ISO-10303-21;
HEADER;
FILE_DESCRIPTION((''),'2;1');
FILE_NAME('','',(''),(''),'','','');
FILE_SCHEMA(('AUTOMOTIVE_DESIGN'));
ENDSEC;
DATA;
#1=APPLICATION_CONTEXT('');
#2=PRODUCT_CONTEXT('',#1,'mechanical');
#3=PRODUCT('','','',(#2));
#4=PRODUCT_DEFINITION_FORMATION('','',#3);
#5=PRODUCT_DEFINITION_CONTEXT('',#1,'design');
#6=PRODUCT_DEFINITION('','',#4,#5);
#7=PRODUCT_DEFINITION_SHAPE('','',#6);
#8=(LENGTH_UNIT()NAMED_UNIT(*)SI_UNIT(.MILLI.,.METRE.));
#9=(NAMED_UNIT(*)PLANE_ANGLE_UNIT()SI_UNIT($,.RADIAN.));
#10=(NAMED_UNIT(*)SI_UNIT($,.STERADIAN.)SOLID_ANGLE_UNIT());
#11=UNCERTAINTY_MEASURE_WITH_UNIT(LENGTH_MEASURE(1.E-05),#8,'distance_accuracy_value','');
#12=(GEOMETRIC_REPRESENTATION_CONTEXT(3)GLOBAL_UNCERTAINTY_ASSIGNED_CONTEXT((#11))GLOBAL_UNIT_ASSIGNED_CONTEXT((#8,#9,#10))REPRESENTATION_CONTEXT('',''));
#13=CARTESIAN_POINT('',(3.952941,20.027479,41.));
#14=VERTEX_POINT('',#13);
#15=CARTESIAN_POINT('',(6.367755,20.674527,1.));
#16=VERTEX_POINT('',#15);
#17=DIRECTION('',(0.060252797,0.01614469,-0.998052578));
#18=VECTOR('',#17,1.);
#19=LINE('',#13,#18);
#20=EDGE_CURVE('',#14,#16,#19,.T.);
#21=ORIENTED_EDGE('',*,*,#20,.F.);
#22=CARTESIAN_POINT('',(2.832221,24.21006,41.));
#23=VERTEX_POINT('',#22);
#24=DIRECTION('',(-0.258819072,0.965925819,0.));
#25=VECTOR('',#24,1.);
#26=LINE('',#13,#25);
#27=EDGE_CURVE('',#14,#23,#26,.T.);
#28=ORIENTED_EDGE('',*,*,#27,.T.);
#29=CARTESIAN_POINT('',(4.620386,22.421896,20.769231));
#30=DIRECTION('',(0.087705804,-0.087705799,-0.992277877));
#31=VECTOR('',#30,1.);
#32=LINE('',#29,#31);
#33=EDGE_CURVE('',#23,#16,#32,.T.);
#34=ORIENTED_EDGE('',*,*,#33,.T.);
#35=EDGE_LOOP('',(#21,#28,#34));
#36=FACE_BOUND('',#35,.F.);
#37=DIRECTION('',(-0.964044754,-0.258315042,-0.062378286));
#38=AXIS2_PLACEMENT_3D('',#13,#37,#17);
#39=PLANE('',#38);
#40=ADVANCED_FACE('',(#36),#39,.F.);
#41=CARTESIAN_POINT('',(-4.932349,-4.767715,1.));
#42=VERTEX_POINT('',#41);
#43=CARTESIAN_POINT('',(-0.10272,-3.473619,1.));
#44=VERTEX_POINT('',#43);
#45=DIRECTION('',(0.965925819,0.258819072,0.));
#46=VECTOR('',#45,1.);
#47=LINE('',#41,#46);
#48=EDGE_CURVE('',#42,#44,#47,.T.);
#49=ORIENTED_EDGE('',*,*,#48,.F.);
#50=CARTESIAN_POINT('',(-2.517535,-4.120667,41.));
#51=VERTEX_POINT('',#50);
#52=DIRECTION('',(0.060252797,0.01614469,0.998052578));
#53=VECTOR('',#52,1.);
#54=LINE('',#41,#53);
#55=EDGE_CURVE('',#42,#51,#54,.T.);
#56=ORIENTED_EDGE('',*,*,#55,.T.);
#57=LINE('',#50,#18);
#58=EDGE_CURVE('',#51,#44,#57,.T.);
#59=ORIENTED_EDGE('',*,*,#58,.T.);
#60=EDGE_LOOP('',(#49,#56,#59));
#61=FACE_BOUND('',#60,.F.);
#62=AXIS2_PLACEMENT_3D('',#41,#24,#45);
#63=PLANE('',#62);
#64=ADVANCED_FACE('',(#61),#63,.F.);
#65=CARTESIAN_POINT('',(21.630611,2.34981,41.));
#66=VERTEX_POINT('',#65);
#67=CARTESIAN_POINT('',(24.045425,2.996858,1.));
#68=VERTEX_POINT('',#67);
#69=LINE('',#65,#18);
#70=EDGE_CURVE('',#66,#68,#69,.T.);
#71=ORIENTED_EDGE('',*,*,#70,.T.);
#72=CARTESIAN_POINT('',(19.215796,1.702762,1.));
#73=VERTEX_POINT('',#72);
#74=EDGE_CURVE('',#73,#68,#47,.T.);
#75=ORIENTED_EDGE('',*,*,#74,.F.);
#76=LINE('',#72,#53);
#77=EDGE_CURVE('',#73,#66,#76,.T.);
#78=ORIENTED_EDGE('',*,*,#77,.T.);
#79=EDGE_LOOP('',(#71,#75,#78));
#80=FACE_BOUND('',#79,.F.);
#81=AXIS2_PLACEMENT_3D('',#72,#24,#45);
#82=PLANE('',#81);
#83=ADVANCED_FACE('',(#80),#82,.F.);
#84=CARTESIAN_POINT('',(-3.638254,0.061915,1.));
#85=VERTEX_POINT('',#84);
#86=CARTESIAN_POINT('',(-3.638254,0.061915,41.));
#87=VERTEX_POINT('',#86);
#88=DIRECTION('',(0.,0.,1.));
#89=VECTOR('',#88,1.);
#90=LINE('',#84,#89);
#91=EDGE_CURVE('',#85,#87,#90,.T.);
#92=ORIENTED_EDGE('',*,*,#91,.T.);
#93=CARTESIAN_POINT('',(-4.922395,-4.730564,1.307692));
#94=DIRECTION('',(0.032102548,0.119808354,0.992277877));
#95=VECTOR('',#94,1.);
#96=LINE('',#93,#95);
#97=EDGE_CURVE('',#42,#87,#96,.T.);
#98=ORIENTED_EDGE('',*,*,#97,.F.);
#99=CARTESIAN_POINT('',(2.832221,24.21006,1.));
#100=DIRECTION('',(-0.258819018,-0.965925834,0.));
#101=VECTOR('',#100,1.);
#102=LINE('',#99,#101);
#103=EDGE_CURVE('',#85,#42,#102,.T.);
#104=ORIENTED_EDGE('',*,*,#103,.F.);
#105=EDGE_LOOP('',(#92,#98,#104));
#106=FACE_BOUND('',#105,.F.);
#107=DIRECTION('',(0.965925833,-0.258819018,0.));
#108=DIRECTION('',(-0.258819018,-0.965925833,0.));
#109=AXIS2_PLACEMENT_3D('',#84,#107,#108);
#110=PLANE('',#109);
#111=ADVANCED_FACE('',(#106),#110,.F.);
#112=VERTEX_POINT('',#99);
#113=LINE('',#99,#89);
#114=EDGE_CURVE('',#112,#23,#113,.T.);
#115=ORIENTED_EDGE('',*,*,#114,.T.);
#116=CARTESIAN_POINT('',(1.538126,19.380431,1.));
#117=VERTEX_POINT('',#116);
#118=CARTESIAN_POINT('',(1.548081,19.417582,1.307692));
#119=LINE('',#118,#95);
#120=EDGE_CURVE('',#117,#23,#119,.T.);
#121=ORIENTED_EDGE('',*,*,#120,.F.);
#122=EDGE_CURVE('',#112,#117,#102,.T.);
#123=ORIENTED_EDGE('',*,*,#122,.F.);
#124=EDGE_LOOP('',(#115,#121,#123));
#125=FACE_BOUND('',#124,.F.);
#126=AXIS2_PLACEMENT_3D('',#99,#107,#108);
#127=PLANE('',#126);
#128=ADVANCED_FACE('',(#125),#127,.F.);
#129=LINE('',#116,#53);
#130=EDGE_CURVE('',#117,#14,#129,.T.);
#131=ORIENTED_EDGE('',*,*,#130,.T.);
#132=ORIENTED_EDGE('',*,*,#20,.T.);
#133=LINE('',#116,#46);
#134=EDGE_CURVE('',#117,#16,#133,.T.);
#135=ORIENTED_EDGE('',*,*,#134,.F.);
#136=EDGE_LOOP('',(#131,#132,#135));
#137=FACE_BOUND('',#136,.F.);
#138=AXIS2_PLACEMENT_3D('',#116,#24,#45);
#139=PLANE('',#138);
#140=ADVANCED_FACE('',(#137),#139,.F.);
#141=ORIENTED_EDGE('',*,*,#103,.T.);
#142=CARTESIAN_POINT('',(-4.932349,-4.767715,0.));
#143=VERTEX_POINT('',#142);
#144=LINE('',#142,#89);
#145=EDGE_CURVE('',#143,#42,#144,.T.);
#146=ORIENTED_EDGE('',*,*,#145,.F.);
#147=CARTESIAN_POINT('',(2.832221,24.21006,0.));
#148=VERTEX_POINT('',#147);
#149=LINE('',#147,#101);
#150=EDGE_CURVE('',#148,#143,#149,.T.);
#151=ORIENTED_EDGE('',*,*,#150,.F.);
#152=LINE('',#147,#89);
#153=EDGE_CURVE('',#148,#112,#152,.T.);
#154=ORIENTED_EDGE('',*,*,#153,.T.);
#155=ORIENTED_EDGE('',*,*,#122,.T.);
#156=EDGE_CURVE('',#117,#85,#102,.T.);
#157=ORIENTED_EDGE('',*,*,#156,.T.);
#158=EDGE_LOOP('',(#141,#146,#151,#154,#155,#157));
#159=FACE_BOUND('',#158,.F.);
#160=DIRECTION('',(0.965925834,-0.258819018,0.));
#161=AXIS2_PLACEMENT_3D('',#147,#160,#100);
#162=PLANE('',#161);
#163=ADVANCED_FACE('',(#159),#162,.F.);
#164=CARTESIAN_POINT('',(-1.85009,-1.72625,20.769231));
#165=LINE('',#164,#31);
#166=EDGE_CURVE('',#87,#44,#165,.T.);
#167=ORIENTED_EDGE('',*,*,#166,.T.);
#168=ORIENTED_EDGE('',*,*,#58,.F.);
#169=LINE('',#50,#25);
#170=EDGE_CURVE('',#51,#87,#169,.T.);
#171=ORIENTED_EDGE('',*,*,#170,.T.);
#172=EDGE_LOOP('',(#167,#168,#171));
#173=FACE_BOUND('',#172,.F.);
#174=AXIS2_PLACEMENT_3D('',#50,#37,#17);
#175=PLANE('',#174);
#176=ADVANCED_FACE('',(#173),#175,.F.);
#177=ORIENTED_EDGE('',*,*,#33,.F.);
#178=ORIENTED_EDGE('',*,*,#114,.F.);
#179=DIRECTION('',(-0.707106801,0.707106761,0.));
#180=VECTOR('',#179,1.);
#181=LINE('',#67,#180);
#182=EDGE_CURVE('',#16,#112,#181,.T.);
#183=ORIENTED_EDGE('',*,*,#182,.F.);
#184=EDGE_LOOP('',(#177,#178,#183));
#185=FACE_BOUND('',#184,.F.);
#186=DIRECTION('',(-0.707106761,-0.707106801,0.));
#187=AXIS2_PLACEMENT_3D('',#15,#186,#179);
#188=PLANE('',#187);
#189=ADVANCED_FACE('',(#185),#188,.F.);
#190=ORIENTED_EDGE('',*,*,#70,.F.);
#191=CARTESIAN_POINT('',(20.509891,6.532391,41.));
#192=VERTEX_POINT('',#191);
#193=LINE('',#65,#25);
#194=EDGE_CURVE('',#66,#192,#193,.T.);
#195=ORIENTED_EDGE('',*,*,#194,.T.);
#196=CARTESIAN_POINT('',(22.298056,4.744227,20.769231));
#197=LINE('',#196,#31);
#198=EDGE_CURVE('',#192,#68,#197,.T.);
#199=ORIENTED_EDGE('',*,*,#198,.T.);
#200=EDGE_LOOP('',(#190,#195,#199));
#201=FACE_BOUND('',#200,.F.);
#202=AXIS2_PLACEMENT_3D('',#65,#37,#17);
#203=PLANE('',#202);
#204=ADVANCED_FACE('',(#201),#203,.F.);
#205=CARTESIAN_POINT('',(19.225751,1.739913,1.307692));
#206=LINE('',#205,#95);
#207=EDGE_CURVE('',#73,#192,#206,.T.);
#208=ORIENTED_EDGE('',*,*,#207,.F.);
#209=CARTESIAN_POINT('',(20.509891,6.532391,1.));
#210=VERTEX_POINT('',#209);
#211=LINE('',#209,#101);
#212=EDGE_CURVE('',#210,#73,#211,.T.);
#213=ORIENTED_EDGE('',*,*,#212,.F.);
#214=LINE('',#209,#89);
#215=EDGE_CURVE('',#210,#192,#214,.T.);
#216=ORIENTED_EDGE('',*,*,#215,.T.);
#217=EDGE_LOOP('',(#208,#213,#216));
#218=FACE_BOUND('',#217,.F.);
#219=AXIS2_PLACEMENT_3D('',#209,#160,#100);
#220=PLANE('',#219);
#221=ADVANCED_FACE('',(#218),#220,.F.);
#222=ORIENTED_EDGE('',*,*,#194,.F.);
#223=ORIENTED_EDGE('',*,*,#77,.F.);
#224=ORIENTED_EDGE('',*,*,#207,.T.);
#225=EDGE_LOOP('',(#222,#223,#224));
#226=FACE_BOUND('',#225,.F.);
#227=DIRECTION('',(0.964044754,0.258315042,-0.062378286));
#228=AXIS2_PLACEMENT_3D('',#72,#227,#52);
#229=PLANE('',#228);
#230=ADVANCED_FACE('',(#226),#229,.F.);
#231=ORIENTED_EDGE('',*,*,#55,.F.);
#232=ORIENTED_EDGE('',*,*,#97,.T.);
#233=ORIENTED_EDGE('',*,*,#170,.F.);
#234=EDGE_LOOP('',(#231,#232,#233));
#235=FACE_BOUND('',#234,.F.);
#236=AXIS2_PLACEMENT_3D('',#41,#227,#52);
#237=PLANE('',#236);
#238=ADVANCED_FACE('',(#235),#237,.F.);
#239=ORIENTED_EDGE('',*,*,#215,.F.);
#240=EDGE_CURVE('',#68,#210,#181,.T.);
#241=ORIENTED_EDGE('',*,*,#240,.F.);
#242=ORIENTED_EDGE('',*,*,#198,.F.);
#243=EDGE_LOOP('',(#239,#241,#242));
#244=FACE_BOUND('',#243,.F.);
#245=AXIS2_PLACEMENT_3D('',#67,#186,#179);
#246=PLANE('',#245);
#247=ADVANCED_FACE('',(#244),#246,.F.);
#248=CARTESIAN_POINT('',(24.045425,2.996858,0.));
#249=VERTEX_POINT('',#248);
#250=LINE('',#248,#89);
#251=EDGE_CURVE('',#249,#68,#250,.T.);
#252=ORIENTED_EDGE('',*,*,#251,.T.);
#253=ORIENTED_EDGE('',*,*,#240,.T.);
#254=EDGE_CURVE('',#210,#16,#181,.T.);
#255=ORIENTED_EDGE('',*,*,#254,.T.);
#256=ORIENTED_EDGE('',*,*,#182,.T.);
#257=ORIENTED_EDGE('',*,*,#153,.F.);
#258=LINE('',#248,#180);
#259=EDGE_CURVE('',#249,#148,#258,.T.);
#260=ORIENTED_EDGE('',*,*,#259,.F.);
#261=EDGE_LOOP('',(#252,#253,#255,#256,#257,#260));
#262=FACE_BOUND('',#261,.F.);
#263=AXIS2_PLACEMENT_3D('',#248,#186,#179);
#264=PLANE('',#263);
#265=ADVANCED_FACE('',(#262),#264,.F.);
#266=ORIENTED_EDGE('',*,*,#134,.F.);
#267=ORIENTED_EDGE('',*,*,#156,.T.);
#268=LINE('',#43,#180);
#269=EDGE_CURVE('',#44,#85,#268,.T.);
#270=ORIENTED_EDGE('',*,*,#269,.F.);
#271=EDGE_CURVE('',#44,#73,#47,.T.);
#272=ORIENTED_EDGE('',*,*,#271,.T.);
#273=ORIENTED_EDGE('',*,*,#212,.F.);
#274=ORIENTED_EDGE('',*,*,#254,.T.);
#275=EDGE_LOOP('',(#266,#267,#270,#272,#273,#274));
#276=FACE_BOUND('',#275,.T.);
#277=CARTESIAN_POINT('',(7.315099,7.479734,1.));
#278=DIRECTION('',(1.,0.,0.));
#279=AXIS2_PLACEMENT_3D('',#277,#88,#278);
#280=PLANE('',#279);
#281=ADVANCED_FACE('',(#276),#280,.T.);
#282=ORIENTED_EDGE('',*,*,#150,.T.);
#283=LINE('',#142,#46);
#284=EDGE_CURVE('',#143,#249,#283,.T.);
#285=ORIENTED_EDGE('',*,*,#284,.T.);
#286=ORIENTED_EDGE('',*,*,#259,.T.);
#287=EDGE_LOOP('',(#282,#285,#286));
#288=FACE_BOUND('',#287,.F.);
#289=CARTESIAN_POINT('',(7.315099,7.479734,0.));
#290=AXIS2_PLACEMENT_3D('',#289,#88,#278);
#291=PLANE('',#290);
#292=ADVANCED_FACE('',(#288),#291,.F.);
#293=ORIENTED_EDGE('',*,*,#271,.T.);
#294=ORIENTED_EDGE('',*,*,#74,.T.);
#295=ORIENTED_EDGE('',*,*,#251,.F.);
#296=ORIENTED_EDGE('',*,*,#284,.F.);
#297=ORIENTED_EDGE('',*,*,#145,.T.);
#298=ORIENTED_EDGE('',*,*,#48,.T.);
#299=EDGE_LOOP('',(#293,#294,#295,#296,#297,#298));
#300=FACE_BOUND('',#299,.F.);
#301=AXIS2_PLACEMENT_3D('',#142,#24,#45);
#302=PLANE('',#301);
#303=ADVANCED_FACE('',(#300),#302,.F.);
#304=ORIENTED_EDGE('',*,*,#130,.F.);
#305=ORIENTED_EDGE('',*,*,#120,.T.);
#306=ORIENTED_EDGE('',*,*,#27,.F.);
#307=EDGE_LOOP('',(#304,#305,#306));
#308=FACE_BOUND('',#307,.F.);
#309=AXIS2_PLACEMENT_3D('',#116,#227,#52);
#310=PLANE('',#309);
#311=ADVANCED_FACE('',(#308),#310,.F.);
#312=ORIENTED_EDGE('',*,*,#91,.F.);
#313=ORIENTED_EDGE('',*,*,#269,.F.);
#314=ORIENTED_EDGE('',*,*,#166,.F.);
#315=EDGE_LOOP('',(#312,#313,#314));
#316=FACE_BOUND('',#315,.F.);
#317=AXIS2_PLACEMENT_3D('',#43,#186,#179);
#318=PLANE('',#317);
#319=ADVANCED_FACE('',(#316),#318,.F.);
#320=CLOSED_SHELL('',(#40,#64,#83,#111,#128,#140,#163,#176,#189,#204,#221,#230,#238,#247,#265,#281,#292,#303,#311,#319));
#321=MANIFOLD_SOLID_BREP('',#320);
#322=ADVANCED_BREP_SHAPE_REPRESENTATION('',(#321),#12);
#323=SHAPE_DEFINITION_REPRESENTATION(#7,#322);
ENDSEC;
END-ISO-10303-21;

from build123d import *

# Parameters (mm, degrees)
F1_DEPTH = 1
F3_DEPTH = 40
F5_DEPTH = 4.3311270189
F7_DEPTH = 25


with BuildPart() as f1:
    # F0 (on Top) → F1 (new body)
    with BuildSketch(Plane.XY):
        Polygon((2.8322214563, 24.2100603602), (-4.9323490894, -4.7677146448), (24.045425483, 2.9968575157), align=None)
    extrude(amount=F1_DEPTH)

    # F2 (on face) → F3 (join)
    with BuildSketch(Plane.XY.offset(1)):
        Polygon((-3.6382539984, 0.0619145227), (-4.9323490894, -4.7677146448), (-0.102719994, -3.4736192847), align=None)
        Polygon((6.3677554607, 20.6745265528), (2.8322214563, 24.2100603602), (1.5381263653, 19.3804311927), align=None)
        Polygon((19.2157963876, 1.7027621556), (24.045425483, 2.9968575157), (20.5098914785, 6.5323913231), align=None)
    extrude(amount=F3_DEPTH)

    # F4 (on face) → F5 (cut, through all)
    with BuildSketch(Plane(origin=(0.8615239687, -3.2152508648, 0), x_dir=(0.9659258191, 0.258819072, 0), z_dir=(0.258819072, -0.9659258191, 0))):
        Polygon((-5.9982588141, 41), (-5.9982588141, 1), (-3.4982588141, 41), align=None)
        Polygon((21.5017411859, 41), (24.0017411859, 1), (24.0017411859, 41), align=None)
        Polygon((-0.9982588141, 41), (-3.4982588141, 41), (-0.9982588141, 1), align=None)
        Polygon((19.0017411859, 41), (19.0017411859, 1), (21.5017411859, 41), align=None)
    extrude(amount=-F5_DEPTH, mode=Mode.SUBTRACT)

    # F6 (on face) → F7 (cut)
    with BuildSketch(Plane(origin=(-4.742073315, 17.6976565725, 0), x_dir=(0.9659258191, 0.258819072, 0), z_dir=(0.258819072, -0.9659258191, 0))):
        Polygon((6.5017411859, 41), (6.5017411859, 1), (9.0017411859, 41), align=None)
        Polygon((11.5017411859, 41), (9.0017411859, 41), (11.5017411859, 1), align=None)
    extrude(amount=-F7_DEPTH, mode=Mode.SUBTRACT)


solid = f1.part
